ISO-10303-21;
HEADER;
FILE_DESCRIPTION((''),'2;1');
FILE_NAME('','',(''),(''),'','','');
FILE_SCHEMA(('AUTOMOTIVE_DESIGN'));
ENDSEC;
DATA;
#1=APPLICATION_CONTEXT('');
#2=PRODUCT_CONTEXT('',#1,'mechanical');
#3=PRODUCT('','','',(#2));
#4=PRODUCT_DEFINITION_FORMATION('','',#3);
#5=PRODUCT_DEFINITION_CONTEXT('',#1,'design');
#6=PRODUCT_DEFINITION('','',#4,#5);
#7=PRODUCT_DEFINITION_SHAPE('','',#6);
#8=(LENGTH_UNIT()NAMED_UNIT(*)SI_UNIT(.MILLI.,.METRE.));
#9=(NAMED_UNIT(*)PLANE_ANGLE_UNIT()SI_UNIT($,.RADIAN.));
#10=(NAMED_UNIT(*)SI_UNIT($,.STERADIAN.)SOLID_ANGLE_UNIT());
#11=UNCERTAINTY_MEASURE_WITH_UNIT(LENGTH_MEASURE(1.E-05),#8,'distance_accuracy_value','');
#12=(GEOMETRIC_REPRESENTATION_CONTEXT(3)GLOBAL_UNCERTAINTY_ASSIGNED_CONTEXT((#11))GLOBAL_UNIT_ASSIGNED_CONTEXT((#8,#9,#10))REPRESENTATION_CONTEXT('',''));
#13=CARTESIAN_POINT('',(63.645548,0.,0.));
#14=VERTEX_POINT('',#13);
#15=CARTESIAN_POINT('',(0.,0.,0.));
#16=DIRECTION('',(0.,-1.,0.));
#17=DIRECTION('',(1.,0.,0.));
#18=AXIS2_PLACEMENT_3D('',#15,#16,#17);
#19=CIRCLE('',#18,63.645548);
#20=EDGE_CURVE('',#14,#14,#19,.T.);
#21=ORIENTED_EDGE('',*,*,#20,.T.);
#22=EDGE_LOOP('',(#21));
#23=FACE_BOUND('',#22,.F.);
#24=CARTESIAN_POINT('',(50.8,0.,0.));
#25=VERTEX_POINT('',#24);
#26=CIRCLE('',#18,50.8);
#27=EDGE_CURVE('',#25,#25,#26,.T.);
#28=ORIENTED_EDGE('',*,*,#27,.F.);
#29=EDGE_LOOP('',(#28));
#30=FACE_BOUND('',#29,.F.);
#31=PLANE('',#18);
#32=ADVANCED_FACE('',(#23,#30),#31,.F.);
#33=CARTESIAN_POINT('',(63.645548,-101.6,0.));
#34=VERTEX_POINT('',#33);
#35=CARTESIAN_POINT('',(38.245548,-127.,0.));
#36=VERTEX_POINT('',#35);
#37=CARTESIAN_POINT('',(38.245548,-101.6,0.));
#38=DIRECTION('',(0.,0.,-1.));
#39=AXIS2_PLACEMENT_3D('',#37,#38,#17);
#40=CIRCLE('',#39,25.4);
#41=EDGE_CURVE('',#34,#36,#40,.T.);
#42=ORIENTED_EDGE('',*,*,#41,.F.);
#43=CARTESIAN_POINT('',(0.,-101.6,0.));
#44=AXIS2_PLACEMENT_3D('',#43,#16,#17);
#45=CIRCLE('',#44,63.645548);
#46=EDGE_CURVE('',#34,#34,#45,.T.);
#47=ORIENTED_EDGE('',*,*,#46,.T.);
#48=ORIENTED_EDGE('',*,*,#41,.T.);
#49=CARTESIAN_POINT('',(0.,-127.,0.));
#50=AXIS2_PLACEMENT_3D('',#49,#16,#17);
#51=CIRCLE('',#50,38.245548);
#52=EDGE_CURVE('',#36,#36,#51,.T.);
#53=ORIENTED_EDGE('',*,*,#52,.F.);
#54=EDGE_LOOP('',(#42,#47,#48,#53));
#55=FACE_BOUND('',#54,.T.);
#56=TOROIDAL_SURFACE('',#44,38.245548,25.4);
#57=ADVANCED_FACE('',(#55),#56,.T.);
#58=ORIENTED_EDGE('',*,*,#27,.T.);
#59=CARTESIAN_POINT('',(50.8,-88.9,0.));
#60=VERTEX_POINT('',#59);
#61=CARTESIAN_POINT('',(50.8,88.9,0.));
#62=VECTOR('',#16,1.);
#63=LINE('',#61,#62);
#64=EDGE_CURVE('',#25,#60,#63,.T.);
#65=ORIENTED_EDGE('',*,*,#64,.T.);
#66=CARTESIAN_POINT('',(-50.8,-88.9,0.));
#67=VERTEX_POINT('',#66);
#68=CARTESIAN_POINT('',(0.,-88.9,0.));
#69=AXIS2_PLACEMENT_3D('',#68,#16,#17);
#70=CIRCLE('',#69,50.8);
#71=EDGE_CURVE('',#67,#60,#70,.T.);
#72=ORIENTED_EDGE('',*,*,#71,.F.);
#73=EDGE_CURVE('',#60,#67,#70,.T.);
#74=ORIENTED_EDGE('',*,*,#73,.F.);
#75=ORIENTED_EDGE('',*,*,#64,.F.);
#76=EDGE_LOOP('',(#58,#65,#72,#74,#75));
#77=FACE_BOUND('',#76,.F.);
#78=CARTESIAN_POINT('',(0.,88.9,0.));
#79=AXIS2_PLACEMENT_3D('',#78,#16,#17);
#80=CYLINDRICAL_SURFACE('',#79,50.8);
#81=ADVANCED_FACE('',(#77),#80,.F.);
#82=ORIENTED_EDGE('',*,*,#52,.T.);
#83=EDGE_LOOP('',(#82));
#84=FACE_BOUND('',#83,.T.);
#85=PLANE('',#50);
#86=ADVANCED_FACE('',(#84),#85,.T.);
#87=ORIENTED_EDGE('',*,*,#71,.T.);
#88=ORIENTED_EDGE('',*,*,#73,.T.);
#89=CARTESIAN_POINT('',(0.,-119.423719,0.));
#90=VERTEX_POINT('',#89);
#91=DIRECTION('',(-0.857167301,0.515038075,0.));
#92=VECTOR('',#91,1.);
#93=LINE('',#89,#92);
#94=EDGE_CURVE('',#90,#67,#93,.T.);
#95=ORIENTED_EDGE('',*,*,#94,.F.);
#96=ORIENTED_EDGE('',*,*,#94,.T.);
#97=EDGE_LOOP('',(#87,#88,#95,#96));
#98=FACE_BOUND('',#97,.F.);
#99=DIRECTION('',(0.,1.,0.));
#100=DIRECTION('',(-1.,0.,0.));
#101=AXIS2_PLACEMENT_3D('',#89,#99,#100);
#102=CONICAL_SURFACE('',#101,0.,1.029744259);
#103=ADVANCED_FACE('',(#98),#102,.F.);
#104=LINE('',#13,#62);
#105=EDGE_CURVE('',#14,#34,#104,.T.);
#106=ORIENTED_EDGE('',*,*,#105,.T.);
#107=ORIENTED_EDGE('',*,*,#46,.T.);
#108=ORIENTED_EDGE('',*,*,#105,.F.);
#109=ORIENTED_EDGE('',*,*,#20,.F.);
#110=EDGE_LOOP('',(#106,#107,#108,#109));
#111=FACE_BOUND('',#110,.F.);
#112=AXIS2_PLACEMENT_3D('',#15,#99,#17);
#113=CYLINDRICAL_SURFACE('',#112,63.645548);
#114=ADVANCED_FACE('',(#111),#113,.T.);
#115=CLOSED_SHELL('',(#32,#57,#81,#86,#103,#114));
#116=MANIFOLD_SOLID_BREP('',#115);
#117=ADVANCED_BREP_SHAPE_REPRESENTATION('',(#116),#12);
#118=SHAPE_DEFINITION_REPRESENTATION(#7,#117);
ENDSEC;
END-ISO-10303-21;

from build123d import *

# Parameters (mm, degrees)
F0_R     = 63.6455484586
F1_DEPTH = 127
F2_R     = 25.4
F4_D     = 101.6
F4_DEPTH = 88.9
F4_TIP   = 30.5237194466


with BuildPart() as f1:
    # F0 (on Front) → F1 (new body)
    with BuildSketch(Plane.XZ):
        Circle(F0_R)
    extrude(amount=F1_DEPTH)

    # F2
    f2_edges = [f1.edges().sort_by_distance(p)[0] for p in [
        (-63.645548, -127, 0),
    ]]
    fillet(f2_edges, radius=F2_R)

    # F4
    with Locations(Plane(origin=(0, 0, 0), x_dir=(-1, 0, 0), z_dir=(0, 1, 0))):
        with Locations((0, 0)):
            Hole(F4_D / 2, depth=F4_DEPTH)
            with Locations((0, 0, -(F4_DEPTH + F4_TIP / 2))):  # 118° drill point
                Cone(0, F4_D / 2, F4_TIP, mode=Mode.SUBTRACT)


solid = f1.part
